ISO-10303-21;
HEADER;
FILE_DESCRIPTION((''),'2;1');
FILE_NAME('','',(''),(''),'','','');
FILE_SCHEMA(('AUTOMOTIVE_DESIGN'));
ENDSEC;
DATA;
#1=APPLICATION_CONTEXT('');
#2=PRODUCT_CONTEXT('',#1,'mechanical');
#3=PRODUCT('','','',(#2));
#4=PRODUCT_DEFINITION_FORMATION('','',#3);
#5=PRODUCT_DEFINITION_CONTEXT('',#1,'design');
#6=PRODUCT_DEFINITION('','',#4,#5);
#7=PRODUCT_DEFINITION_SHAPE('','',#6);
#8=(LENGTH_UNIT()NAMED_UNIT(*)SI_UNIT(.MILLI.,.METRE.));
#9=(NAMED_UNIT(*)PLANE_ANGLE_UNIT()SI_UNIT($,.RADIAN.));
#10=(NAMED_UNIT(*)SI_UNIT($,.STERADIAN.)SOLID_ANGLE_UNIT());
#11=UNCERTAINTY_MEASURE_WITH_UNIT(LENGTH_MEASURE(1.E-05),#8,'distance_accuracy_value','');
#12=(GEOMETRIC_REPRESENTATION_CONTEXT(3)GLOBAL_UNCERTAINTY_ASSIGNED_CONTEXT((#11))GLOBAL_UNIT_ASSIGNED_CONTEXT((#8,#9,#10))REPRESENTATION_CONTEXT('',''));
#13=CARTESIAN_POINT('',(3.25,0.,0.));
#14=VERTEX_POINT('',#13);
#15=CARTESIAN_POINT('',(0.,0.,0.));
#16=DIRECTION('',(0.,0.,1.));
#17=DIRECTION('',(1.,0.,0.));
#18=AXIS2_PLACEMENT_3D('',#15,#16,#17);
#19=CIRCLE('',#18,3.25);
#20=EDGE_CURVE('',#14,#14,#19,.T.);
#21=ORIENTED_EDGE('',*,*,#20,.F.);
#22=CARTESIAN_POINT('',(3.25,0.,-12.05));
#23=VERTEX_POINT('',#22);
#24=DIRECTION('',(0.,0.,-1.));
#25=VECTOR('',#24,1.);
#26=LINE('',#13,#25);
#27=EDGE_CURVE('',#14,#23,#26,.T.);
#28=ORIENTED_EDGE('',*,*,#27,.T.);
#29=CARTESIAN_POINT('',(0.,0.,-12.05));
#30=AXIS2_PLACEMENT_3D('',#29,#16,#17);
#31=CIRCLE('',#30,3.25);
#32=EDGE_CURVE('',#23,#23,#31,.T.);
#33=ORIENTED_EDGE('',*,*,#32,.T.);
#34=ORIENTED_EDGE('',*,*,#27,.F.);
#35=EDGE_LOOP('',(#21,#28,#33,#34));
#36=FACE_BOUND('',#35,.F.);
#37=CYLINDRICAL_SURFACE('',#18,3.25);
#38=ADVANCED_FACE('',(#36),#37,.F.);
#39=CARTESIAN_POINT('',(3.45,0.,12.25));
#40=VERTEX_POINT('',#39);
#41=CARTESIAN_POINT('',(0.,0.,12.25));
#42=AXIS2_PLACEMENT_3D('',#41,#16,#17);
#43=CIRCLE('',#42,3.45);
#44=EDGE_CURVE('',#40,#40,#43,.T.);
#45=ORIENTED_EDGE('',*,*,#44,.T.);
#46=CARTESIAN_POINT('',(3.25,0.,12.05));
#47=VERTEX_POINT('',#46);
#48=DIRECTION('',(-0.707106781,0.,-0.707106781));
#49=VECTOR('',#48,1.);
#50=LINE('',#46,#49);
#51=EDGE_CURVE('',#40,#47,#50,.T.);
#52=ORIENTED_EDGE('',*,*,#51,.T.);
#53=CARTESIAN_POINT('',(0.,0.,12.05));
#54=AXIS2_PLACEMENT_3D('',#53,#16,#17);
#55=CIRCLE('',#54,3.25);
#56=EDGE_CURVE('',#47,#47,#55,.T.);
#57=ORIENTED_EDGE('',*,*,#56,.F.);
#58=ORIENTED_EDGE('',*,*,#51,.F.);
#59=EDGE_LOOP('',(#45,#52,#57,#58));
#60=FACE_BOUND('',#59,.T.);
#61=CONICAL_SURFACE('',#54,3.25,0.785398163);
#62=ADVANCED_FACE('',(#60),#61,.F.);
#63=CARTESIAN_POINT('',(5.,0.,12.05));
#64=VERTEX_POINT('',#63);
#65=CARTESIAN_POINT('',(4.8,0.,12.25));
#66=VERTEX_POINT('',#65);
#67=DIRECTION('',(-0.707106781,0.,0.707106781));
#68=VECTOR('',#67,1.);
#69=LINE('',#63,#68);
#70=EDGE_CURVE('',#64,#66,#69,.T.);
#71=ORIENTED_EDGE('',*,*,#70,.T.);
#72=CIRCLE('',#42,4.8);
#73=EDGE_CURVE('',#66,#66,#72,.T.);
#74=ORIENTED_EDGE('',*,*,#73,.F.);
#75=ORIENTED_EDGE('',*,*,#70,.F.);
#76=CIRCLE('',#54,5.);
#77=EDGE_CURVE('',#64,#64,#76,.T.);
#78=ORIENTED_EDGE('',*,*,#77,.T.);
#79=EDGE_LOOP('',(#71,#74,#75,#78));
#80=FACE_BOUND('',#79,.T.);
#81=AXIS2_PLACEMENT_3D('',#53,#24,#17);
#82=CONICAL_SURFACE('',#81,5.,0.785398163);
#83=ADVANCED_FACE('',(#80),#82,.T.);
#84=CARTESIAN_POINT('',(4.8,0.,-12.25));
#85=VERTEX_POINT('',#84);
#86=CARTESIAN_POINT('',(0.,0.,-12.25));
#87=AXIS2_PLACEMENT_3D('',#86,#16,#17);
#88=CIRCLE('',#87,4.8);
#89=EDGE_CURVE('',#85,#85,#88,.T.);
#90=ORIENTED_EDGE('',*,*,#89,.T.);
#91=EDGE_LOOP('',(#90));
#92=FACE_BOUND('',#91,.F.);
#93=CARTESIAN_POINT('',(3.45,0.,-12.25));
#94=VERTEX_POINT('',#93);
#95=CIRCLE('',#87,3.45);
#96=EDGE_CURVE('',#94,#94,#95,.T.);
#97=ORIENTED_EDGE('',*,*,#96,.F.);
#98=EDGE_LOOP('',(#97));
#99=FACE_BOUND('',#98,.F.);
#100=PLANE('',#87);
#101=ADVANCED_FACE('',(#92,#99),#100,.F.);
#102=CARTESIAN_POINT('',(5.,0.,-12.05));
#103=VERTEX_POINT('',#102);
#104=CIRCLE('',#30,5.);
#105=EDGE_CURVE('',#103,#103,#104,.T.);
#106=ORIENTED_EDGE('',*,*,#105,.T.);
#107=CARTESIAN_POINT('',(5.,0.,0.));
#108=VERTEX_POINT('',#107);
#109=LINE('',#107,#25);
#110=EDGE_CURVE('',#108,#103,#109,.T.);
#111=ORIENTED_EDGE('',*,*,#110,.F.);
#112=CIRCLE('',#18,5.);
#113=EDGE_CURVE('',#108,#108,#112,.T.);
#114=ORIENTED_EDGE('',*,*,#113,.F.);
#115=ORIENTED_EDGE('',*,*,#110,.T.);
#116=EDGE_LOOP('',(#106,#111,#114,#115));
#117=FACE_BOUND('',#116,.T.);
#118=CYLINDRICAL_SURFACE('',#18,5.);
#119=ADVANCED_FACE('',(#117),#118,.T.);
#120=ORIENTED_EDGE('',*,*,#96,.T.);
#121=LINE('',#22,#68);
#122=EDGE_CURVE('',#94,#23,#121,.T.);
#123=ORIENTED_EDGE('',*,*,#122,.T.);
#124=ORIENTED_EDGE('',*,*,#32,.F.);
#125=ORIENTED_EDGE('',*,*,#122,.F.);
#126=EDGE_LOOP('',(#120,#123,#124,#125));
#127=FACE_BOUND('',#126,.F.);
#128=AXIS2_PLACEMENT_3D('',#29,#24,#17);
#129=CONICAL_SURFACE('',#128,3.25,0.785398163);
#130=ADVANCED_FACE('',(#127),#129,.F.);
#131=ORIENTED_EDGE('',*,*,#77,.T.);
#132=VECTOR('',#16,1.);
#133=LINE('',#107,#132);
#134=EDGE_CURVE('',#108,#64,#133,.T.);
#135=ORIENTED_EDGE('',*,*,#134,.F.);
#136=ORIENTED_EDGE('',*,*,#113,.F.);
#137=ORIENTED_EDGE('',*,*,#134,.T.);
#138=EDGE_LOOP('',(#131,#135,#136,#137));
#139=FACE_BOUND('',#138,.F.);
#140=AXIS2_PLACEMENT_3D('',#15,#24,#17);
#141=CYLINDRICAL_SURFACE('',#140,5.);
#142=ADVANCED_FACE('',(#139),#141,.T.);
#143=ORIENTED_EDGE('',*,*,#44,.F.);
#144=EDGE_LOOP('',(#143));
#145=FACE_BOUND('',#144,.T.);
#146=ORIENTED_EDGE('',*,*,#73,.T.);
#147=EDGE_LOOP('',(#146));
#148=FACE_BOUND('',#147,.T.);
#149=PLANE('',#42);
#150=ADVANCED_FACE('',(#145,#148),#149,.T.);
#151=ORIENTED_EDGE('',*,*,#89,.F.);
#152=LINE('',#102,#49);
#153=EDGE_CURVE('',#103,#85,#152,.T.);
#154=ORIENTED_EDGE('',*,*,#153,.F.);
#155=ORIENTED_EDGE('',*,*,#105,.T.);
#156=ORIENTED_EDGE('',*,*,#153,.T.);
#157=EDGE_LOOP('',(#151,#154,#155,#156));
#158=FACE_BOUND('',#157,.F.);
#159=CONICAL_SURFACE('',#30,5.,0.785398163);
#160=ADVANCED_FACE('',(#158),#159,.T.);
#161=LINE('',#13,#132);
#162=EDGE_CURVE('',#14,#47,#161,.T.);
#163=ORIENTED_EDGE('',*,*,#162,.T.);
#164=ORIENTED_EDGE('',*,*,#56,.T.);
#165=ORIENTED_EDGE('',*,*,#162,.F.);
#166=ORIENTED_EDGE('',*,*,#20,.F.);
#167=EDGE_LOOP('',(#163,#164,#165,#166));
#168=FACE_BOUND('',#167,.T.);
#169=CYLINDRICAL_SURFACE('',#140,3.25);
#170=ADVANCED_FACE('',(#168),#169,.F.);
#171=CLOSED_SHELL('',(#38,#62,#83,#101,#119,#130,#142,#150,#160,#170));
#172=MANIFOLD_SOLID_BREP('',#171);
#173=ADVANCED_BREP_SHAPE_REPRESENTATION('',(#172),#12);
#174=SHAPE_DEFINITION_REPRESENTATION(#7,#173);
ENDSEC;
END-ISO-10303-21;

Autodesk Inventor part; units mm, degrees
ref_plane "YZ Plane" through (0, 0, 0) normal (1, 0, 0) x (0, 1, 0)
ref_plane "XZ Plane" through (0, 0, 0) normal (0, 1, 0) x (-1, 0, 0)
ref_plane "XY Plane" through (0, 0, 0) normal (0, 0, 1) x (1, 0, 0)
sketch "スケッチ1" plane through (0, 0, 0) normal (0, 0, 1) x (1, 0, 0)
  circle A0 centre (0, 0) radius 3.25
  circle A1 centre (0, 0) radius 5
  dimension "d0" = 6.5
  dimension "d1" = 10
extrude "押し出し1" add sketch "スケッチ1" along normal mid plane 24.5
chamfer "面取り1" distance 0.2 angle 45 4 edges at (-5, 0, 12.25) (-3.25, 0, 12.25) (-5, 0, -12.25) (-3.25, 0, -12.25)
properties part number "base43" material "ABS プラスチック"
